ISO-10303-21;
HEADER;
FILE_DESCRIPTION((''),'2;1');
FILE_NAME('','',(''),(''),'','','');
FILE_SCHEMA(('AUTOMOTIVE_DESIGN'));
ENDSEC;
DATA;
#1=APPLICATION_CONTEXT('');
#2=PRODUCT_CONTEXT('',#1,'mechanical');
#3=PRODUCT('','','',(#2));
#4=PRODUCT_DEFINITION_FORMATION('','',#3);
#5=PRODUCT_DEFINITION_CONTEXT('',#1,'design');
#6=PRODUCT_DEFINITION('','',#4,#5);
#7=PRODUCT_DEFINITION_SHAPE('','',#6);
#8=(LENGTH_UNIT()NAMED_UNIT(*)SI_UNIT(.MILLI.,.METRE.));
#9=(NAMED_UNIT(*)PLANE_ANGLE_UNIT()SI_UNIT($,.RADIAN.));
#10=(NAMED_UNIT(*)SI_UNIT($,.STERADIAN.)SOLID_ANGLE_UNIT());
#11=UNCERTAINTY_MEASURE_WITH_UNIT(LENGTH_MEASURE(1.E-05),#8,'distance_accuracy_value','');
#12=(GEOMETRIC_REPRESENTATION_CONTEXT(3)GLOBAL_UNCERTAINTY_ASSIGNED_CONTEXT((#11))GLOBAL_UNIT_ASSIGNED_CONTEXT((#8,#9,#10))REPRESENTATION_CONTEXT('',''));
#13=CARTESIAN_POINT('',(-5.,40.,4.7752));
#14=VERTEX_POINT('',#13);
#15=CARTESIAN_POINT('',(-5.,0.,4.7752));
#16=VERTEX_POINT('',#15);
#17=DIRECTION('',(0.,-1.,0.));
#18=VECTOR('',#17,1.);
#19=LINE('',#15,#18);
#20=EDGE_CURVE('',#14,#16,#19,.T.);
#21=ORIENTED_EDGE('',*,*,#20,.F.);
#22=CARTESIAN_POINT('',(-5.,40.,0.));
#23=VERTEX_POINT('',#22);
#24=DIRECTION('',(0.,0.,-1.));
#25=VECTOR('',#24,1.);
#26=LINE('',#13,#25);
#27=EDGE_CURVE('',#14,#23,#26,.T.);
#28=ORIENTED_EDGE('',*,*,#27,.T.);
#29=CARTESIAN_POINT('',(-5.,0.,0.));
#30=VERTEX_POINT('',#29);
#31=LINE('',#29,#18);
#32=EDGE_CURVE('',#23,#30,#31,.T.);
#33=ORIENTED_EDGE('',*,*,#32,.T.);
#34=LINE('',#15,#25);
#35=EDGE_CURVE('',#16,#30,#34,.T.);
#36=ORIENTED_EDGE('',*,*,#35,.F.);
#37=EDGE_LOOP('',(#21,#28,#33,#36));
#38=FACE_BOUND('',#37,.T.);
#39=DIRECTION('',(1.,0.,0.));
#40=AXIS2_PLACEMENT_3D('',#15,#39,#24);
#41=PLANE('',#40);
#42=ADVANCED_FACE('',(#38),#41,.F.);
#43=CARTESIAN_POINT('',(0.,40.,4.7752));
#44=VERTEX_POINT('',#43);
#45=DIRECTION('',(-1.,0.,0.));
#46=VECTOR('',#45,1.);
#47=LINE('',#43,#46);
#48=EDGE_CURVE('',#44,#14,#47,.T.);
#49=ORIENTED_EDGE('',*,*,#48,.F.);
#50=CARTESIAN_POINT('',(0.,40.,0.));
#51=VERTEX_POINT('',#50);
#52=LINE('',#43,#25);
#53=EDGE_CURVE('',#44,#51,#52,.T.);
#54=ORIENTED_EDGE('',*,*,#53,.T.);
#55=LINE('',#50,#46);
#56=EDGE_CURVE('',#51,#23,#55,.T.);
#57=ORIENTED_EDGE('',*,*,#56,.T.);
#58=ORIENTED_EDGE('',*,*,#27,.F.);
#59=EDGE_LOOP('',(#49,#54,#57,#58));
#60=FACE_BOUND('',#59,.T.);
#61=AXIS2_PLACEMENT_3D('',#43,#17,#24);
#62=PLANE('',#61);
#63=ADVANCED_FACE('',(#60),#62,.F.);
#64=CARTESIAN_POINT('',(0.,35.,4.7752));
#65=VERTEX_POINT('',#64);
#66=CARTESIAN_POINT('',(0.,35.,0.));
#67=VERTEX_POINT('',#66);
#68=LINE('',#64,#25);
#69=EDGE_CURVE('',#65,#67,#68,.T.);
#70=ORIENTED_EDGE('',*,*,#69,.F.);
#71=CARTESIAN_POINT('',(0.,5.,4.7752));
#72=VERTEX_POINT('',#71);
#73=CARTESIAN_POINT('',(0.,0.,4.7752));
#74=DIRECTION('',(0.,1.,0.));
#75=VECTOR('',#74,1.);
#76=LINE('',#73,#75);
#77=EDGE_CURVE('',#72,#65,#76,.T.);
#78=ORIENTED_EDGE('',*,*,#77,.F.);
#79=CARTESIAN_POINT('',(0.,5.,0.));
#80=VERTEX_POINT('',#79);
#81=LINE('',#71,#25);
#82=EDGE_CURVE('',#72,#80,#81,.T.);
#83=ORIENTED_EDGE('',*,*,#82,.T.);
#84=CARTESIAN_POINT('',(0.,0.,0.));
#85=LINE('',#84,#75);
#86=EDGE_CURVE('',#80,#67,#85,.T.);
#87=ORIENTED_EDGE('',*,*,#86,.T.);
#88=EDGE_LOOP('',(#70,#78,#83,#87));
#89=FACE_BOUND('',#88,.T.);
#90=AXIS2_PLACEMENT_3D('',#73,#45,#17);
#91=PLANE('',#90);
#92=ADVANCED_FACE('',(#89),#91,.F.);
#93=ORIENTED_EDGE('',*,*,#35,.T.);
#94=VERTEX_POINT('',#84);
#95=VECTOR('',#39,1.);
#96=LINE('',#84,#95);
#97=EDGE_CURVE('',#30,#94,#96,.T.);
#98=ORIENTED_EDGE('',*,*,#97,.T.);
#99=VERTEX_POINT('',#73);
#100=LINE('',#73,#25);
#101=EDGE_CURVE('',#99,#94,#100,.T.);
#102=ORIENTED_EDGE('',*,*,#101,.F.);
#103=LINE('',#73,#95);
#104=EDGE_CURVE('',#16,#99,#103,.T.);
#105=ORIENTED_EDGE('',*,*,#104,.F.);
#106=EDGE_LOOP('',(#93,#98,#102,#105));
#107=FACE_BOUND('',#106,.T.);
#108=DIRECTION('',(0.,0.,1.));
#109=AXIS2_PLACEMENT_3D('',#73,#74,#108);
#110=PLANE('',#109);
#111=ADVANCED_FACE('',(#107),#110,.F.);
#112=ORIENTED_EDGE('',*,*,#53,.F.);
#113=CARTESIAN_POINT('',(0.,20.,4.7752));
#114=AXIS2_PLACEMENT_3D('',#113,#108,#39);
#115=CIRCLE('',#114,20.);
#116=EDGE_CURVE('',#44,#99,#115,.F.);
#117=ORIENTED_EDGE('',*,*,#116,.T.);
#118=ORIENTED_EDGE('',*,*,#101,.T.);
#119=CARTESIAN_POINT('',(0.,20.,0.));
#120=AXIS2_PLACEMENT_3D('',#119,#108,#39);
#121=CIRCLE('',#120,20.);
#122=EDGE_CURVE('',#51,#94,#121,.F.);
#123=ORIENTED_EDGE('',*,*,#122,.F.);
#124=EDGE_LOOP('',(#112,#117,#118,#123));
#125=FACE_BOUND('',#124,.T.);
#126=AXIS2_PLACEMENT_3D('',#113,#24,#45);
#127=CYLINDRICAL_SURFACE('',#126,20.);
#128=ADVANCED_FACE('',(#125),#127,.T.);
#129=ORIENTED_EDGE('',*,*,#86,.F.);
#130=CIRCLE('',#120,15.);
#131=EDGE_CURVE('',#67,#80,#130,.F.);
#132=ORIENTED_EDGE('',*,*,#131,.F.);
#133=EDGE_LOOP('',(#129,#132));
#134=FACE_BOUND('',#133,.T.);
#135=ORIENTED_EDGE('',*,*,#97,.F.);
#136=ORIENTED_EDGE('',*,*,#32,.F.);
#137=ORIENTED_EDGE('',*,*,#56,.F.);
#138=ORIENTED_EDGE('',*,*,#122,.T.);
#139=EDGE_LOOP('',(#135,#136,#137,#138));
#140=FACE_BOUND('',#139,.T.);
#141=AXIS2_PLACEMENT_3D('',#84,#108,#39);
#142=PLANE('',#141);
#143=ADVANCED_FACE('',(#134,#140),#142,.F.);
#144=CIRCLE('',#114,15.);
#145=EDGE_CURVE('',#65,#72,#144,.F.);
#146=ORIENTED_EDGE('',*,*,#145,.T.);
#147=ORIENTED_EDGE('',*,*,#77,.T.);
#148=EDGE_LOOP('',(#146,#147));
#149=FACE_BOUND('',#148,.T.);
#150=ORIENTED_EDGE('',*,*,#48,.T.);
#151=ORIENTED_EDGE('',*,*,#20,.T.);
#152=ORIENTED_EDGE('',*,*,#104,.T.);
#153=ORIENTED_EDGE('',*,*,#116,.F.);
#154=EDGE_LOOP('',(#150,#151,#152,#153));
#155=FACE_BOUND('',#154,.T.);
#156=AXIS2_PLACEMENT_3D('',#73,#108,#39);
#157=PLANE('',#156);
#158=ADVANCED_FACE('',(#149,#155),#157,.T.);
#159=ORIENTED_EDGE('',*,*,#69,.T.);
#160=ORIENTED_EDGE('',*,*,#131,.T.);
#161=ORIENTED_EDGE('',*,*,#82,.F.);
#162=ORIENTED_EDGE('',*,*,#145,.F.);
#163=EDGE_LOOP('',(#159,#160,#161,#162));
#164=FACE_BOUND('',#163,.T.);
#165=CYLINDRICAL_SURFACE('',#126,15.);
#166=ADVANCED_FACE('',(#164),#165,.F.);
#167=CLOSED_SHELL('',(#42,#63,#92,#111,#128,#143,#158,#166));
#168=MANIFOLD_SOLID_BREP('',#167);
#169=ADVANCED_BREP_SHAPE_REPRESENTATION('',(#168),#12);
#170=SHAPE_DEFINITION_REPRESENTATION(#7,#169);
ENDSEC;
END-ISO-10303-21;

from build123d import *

# Parameters (mm, degrees)
SKETCH3_W           = 5
SKETCH3_H           = 40
BOSS_EXTRUDE1_DEPTH = 4.7752


with BuildPart() as part:
    # Sketch3 → Boss-Extrude1 (new body)
    with BuildSketch(Plane.XY):
        with Locations((-2.5, 20)):
            Rectangle(SKETCH3_W, SKETCH3_H)
        with BuildLine():
            Line((0, 5), (0, 0))
            ThreePointArc((0, 0), (20, 20), (0, 40))
            Line((0, 40), (0, 35))
            ThreePointArc((0, 35), (15, 20), (0, 5))
        make_face()
    extrude(amount=BOSS_EXTRUDE1_DEPTH)


solid = part.part
